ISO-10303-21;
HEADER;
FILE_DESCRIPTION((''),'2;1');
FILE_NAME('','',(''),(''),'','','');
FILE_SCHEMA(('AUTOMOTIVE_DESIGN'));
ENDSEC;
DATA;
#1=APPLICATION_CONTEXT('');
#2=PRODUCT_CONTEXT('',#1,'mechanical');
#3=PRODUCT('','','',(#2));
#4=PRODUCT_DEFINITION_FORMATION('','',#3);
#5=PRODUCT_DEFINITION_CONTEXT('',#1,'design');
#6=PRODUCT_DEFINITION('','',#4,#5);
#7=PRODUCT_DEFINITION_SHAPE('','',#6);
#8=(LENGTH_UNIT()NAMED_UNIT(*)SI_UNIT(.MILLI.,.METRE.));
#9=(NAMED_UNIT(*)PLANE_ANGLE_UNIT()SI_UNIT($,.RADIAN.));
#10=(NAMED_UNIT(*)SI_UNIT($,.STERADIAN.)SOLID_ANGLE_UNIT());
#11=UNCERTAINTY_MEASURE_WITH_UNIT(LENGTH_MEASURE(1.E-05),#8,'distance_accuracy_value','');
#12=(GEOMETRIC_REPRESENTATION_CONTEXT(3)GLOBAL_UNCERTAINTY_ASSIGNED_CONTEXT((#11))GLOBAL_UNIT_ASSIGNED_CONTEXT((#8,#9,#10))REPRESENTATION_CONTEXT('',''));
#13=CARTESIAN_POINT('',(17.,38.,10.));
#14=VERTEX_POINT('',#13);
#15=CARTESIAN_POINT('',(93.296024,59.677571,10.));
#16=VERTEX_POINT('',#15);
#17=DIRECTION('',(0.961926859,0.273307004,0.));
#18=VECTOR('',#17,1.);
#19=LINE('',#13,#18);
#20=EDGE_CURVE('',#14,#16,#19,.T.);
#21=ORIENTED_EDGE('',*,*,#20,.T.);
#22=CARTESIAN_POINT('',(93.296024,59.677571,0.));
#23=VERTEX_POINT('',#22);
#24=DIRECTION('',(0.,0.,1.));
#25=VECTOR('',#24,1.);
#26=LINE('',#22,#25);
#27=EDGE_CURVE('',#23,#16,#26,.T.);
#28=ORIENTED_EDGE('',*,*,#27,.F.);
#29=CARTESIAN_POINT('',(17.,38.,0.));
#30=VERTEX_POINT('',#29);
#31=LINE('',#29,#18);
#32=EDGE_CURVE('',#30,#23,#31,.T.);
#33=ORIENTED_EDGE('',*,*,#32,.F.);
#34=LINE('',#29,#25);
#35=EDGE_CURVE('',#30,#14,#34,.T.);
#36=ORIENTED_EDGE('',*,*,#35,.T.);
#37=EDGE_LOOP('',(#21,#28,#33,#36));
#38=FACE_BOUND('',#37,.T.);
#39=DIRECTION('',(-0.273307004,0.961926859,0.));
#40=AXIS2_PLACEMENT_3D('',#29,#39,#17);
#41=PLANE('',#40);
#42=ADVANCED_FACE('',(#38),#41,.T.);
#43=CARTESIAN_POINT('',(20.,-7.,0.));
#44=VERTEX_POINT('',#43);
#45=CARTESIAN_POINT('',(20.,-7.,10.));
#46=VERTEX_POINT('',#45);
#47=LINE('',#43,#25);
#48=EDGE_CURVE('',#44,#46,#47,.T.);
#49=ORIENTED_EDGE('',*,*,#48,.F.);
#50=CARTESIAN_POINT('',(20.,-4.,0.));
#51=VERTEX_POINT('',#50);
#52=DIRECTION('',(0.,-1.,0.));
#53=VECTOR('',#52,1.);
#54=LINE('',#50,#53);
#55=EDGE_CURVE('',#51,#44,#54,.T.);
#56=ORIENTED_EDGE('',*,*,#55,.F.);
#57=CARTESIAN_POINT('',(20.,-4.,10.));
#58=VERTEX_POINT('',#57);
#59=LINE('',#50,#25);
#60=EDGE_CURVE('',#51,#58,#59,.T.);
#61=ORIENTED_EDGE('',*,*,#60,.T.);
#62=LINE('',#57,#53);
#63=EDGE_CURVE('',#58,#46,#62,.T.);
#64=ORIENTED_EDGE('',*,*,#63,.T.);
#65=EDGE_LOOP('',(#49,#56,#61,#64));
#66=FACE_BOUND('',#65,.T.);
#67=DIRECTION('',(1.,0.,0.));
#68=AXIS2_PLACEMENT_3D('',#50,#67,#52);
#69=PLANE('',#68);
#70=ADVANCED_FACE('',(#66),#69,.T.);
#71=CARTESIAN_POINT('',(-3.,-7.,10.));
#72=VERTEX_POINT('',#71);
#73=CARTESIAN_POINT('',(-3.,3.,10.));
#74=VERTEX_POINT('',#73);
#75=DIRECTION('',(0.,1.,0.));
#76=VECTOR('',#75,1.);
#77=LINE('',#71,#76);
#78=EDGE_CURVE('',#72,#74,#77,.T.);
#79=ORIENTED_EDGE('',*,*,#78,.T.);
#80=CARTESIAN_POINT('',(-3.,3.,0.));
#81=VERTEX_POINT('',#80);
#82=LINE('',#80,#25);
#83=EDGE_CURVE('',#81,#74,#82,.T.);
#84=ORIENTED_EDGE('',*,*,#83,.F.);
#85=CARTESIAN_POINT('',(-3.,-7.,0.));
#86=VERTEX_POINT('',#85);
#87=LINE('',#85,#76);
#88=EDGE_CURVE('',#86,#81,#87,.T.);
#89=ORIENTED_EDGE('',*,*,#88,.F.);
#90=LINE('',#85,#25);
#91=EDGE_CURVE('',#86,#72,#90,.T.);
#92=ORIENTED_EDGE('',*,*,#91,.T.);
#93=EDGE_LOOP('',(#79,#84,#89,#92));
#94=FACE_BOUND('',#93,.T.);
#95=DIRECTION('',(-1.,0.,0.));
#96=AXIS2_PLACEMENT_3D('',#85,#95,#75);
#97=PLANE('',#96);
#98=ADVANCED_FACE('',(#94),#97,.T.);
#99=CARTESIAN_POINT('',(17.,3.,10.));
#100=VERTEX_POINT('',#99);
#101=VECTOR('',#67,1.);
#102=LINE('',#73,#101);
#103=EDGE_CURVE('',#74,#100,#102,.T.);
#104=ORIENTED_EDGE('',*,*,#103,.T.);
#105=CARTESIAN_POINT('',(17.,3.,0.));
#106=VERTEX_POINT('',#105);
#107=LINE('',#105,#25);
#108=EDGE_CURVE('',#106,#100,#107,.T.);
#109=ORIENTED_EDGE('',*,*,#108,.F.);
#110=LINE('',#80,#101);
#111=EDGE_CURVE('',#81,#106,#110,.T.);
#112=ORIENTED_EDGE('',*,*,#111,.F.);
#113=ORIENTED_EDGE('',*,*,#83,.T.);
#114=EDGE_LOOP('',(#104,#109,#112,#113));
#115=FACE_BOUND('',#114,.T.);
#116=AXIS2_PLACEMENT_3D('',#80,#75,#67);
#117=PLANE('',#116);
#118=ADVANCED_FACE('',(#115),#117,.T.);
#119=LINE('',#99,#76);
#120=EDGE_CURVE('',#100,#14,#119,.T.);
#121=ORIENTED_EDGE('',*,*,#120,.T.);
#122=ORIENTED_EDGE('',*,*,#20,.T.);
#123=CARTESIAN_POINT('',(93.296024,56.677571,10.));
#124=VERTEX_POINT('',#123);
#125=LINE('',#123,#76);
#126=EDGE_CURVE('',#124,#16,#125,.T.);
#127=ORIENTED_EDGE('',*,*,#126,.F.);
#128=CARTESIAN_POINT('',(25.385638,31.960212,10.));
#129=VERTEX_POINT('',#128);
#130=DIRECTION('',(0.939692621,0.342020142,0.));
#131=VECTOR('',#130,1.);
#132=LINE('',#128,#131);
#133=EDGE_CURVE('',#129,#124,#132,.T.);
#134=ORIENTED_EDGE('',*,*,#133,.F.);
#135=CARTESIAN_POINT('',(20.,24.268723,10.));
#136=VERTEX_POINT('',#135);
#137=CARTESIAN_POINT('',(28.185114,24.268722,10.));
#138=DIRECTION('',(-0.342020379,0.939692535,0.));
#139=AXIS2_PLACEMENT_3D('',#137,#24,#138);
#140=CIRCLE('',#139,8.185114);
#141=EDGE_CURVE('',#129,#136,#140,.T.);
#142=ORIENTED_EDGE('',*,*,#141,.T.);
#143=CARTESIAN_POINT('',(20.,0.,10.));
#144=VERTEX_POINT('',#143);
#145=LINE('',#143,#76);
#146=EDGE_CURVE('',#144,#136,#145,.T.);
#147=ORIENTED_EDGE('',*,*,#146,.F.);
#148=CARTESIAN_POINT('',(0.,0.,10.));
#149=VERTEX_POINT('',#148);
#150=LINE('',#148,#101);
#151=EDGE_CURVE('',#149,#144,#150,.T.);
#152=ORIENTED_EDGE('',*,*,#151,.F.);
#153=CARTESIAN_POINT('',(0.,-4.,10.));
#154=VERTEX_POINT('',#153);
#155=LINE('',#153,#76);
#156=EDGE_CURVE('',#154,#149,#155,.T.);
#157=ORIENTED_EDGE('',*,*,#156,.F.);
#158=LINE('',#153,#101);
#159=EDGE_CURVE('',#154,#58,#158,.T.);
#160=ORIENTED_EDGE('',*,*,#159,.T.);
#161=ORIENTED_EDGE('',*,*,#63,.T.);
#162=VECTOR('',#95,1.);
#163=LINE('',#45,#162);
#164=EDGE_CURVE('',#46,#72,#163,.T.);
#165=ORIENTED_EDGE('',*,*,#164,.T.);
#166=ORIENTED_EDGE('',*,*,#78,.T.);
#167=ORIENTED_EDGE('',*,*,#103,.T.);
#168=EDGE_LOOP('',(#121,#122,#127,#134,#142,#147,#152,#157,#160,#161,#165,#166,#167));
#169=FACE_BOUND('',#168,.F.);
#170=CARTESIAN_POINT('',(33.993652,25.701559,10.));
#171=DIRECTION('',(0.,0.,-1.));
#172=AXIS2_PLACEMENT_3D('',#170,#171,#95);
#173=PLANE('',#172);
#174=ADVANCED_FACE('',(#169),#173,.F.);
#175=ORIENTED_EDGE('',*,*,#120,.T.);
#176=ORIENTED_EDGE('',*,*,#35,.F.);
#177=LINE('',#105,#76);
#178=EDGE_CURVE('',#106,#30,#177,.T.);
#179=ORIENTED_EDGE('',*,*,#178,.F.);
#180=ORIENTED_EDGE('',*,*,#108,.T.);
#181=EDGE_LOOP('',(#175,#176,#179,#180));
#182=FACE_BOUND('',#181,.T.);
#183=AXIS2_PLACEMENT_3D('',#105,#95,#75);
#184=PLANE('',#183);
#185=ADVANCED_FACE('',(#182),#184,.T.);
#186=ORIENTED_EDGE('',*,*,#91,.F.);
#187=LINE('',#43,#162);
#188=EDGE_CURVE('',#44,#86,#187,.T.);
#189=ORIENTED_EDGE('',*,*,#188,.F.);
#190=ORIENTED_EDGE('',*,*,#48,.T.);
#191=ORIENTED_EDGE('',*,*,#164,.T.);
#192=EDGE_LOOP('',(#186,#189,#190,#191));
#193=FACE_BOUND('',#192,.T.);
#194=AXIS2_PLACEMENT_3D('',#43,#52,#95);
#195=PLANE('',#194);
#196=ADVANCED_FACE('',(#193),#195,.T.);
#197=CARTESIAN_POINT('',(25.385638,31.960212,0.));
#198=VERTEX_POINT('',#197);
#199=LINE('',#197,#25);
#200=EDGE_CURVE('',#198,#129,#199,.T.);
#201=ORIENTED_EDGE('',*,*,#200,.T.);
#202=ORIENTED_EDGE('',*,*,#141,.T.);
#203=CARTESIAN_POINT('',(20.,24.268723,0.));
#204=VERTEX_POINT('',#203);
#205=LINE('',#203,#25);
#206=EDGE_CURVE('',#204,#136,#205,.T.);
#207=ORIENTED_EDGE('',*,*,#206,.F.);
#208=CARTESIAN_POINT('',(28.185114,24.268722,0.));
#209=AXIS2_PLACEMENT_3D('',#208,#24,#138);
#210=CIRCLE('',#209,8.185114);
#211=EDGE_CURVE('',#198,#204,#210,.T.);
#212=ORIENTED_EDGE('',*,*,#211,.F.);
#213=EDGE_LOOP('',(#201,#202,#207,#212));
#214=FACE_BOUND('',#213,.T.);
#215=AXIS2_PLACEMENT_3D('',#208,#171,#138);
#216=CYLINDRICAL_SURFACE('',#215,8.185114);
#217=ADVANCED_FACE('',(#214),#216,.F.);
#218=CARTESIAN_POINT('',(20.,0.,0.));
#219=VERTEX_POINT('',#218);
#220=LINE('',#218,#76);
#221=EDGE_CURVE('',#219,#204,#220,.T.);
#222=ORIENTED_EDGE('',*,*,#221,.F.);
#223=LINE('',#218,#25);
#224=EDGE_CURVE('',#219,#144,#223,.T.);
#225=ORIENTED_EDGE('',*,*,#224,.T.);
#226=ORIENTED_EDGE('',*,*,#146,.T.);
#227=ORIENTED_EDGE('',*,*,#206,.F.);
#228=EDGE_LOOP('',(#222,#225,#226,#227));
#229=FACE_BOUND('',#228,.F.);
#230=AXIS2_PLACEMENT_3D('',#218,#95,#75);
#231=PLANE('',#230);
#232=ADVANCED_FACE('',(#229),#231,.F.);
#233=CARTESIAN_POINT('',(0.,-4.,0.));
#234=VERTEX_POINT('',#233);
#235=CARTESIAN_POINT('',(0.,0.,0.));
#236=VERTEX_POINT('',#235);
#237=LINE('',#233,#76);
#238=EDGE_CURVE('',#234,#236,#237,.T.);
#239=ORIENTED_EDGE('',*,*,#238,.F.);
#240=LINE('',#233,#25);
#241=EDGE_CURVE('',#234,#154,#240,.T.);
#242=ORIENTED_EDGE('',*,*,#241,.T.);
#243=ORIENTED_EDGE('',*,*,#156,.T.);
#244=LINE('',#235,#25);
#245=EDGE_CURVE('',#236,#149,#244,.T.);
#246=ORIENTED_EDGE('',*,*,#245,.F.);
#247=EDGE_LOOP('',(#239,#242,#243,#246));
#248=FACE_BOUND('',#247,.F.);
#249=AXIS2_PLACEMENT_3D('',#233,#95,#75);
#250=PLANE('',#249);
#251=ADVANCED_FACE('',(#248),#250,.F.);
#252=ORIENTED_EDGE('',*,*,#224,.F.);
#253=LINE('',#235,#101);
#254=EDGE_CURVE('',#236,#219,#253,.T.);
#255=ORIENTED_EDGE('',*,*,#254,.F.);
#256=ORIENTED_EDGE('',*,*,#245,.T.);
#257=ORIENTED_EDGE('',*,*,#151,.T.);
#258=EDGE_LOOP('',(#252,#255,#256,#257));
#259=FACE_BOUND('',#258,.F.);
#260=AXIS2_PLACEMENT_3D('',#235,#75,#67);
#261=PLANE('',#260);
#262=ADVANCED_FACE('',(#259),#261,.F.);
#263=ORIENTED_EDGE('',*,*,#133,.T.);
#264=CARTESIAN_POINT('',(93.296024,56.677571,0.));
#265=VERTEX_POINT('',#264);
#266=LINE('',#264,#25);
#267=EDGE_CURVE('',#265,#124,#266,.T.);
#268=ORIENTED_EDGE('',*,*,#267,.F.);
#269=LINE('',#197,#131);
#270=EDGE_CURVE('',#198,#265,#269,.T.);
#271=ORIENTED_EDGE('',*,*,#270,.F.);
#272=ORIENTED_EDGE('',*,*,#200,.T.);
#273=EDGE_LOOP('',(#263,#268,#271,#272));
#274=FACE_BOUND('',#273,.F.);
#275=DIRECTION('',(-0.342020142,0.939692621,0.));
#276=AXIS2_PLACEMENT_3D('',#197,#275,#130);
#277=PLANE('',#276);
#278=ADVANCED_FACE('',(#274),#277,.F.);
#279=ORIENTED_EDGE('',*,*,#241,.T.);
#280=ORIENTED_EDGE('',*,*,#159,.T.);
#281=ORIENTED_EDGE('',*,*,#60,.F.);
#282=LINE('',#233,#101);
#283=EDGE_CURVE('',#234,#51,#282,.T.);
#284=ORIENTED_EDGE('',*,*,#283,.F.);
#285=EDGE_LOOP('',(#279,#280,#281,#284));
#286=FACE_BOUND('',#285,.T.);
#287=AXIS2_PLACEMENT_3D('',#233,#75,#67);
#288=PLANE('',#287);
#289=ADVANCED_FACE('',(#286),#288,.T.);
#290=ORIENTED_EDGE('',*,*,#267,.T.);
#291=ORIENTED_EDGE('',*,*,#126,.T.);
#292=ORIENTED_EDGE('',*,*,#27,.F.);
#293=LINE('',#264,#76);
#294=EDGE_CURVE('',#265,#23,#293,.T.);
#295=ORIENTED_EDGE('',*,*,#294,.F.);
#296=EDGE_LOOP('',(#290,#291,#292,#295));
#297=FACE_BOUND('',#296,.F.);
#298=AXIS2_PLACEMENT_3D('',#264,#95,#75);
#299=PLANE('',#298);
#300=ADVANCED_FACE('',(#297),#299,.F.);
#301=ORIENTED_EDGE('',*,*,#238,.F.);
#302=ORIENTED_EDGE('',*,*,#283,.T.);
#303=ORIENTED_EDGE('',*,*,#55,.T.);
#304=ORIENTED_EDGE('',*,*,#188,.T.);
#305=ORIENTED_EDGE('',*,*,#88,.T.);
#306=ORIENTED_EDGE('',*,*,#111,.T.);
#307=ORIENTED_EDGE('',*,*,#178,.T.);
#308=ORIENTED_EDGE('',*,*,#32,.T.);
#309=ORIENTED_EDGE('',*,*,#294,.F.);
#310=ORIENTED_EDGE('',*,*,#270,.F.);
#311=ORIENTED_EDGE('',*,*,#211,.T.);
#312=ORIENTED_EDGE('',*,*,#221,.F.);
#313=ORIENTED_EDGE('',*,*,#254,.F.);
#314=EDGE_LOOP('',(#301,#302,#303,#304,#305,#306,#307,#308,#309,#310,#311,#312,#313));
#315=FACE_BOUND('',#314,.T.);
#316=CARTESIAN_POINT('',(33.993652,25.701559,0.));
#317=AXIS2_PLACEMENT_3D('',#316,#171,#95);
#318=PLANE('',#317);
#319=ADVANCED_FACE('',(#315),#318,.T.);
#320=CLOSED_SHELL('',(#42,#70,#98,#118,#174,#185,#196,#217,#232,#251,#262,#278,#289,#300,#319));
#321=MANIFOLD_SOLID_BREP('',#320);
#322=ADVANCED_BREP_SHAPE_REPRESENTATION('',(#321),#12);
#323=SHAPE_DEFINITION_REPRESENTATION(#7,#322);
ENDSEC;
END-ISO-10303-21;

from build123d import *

# Parameters (mm, degrees)
PAD_DEPTH = 10


with BuildPart() as part:
    # Sketch → Pad (new body)
    with BuildSketch(Plane.XY):
        with BuildLine():
            Line((0, -4), (20, -4))
            Line((20, -4), (20, -7))
            Line((20, -7), (-3, -7))
            Line((-3, -7), (-3, 3))
            Line((-3, 3), (17, 3))
            Line((17, 3), (17, 38))
            Line((17, 38), (93.296024, 59.677571))
            Line((93.296024, 56.677571), (93.296024, 59.677571))
            Line((25.385638, 31.960212), (93.296024, 56.677571))
            ThreePointArc((25.385638, 31.960212), (21.480261, 28.96351), (20, 24.268723))
            Line((20, 0), (20, 24.268723))
            Line((0, 0), (20, 0))
            Line((0, -4), (0, 0))
        make_face()
    extrude(amount=PAD_DEPTH)


solid = part.part
